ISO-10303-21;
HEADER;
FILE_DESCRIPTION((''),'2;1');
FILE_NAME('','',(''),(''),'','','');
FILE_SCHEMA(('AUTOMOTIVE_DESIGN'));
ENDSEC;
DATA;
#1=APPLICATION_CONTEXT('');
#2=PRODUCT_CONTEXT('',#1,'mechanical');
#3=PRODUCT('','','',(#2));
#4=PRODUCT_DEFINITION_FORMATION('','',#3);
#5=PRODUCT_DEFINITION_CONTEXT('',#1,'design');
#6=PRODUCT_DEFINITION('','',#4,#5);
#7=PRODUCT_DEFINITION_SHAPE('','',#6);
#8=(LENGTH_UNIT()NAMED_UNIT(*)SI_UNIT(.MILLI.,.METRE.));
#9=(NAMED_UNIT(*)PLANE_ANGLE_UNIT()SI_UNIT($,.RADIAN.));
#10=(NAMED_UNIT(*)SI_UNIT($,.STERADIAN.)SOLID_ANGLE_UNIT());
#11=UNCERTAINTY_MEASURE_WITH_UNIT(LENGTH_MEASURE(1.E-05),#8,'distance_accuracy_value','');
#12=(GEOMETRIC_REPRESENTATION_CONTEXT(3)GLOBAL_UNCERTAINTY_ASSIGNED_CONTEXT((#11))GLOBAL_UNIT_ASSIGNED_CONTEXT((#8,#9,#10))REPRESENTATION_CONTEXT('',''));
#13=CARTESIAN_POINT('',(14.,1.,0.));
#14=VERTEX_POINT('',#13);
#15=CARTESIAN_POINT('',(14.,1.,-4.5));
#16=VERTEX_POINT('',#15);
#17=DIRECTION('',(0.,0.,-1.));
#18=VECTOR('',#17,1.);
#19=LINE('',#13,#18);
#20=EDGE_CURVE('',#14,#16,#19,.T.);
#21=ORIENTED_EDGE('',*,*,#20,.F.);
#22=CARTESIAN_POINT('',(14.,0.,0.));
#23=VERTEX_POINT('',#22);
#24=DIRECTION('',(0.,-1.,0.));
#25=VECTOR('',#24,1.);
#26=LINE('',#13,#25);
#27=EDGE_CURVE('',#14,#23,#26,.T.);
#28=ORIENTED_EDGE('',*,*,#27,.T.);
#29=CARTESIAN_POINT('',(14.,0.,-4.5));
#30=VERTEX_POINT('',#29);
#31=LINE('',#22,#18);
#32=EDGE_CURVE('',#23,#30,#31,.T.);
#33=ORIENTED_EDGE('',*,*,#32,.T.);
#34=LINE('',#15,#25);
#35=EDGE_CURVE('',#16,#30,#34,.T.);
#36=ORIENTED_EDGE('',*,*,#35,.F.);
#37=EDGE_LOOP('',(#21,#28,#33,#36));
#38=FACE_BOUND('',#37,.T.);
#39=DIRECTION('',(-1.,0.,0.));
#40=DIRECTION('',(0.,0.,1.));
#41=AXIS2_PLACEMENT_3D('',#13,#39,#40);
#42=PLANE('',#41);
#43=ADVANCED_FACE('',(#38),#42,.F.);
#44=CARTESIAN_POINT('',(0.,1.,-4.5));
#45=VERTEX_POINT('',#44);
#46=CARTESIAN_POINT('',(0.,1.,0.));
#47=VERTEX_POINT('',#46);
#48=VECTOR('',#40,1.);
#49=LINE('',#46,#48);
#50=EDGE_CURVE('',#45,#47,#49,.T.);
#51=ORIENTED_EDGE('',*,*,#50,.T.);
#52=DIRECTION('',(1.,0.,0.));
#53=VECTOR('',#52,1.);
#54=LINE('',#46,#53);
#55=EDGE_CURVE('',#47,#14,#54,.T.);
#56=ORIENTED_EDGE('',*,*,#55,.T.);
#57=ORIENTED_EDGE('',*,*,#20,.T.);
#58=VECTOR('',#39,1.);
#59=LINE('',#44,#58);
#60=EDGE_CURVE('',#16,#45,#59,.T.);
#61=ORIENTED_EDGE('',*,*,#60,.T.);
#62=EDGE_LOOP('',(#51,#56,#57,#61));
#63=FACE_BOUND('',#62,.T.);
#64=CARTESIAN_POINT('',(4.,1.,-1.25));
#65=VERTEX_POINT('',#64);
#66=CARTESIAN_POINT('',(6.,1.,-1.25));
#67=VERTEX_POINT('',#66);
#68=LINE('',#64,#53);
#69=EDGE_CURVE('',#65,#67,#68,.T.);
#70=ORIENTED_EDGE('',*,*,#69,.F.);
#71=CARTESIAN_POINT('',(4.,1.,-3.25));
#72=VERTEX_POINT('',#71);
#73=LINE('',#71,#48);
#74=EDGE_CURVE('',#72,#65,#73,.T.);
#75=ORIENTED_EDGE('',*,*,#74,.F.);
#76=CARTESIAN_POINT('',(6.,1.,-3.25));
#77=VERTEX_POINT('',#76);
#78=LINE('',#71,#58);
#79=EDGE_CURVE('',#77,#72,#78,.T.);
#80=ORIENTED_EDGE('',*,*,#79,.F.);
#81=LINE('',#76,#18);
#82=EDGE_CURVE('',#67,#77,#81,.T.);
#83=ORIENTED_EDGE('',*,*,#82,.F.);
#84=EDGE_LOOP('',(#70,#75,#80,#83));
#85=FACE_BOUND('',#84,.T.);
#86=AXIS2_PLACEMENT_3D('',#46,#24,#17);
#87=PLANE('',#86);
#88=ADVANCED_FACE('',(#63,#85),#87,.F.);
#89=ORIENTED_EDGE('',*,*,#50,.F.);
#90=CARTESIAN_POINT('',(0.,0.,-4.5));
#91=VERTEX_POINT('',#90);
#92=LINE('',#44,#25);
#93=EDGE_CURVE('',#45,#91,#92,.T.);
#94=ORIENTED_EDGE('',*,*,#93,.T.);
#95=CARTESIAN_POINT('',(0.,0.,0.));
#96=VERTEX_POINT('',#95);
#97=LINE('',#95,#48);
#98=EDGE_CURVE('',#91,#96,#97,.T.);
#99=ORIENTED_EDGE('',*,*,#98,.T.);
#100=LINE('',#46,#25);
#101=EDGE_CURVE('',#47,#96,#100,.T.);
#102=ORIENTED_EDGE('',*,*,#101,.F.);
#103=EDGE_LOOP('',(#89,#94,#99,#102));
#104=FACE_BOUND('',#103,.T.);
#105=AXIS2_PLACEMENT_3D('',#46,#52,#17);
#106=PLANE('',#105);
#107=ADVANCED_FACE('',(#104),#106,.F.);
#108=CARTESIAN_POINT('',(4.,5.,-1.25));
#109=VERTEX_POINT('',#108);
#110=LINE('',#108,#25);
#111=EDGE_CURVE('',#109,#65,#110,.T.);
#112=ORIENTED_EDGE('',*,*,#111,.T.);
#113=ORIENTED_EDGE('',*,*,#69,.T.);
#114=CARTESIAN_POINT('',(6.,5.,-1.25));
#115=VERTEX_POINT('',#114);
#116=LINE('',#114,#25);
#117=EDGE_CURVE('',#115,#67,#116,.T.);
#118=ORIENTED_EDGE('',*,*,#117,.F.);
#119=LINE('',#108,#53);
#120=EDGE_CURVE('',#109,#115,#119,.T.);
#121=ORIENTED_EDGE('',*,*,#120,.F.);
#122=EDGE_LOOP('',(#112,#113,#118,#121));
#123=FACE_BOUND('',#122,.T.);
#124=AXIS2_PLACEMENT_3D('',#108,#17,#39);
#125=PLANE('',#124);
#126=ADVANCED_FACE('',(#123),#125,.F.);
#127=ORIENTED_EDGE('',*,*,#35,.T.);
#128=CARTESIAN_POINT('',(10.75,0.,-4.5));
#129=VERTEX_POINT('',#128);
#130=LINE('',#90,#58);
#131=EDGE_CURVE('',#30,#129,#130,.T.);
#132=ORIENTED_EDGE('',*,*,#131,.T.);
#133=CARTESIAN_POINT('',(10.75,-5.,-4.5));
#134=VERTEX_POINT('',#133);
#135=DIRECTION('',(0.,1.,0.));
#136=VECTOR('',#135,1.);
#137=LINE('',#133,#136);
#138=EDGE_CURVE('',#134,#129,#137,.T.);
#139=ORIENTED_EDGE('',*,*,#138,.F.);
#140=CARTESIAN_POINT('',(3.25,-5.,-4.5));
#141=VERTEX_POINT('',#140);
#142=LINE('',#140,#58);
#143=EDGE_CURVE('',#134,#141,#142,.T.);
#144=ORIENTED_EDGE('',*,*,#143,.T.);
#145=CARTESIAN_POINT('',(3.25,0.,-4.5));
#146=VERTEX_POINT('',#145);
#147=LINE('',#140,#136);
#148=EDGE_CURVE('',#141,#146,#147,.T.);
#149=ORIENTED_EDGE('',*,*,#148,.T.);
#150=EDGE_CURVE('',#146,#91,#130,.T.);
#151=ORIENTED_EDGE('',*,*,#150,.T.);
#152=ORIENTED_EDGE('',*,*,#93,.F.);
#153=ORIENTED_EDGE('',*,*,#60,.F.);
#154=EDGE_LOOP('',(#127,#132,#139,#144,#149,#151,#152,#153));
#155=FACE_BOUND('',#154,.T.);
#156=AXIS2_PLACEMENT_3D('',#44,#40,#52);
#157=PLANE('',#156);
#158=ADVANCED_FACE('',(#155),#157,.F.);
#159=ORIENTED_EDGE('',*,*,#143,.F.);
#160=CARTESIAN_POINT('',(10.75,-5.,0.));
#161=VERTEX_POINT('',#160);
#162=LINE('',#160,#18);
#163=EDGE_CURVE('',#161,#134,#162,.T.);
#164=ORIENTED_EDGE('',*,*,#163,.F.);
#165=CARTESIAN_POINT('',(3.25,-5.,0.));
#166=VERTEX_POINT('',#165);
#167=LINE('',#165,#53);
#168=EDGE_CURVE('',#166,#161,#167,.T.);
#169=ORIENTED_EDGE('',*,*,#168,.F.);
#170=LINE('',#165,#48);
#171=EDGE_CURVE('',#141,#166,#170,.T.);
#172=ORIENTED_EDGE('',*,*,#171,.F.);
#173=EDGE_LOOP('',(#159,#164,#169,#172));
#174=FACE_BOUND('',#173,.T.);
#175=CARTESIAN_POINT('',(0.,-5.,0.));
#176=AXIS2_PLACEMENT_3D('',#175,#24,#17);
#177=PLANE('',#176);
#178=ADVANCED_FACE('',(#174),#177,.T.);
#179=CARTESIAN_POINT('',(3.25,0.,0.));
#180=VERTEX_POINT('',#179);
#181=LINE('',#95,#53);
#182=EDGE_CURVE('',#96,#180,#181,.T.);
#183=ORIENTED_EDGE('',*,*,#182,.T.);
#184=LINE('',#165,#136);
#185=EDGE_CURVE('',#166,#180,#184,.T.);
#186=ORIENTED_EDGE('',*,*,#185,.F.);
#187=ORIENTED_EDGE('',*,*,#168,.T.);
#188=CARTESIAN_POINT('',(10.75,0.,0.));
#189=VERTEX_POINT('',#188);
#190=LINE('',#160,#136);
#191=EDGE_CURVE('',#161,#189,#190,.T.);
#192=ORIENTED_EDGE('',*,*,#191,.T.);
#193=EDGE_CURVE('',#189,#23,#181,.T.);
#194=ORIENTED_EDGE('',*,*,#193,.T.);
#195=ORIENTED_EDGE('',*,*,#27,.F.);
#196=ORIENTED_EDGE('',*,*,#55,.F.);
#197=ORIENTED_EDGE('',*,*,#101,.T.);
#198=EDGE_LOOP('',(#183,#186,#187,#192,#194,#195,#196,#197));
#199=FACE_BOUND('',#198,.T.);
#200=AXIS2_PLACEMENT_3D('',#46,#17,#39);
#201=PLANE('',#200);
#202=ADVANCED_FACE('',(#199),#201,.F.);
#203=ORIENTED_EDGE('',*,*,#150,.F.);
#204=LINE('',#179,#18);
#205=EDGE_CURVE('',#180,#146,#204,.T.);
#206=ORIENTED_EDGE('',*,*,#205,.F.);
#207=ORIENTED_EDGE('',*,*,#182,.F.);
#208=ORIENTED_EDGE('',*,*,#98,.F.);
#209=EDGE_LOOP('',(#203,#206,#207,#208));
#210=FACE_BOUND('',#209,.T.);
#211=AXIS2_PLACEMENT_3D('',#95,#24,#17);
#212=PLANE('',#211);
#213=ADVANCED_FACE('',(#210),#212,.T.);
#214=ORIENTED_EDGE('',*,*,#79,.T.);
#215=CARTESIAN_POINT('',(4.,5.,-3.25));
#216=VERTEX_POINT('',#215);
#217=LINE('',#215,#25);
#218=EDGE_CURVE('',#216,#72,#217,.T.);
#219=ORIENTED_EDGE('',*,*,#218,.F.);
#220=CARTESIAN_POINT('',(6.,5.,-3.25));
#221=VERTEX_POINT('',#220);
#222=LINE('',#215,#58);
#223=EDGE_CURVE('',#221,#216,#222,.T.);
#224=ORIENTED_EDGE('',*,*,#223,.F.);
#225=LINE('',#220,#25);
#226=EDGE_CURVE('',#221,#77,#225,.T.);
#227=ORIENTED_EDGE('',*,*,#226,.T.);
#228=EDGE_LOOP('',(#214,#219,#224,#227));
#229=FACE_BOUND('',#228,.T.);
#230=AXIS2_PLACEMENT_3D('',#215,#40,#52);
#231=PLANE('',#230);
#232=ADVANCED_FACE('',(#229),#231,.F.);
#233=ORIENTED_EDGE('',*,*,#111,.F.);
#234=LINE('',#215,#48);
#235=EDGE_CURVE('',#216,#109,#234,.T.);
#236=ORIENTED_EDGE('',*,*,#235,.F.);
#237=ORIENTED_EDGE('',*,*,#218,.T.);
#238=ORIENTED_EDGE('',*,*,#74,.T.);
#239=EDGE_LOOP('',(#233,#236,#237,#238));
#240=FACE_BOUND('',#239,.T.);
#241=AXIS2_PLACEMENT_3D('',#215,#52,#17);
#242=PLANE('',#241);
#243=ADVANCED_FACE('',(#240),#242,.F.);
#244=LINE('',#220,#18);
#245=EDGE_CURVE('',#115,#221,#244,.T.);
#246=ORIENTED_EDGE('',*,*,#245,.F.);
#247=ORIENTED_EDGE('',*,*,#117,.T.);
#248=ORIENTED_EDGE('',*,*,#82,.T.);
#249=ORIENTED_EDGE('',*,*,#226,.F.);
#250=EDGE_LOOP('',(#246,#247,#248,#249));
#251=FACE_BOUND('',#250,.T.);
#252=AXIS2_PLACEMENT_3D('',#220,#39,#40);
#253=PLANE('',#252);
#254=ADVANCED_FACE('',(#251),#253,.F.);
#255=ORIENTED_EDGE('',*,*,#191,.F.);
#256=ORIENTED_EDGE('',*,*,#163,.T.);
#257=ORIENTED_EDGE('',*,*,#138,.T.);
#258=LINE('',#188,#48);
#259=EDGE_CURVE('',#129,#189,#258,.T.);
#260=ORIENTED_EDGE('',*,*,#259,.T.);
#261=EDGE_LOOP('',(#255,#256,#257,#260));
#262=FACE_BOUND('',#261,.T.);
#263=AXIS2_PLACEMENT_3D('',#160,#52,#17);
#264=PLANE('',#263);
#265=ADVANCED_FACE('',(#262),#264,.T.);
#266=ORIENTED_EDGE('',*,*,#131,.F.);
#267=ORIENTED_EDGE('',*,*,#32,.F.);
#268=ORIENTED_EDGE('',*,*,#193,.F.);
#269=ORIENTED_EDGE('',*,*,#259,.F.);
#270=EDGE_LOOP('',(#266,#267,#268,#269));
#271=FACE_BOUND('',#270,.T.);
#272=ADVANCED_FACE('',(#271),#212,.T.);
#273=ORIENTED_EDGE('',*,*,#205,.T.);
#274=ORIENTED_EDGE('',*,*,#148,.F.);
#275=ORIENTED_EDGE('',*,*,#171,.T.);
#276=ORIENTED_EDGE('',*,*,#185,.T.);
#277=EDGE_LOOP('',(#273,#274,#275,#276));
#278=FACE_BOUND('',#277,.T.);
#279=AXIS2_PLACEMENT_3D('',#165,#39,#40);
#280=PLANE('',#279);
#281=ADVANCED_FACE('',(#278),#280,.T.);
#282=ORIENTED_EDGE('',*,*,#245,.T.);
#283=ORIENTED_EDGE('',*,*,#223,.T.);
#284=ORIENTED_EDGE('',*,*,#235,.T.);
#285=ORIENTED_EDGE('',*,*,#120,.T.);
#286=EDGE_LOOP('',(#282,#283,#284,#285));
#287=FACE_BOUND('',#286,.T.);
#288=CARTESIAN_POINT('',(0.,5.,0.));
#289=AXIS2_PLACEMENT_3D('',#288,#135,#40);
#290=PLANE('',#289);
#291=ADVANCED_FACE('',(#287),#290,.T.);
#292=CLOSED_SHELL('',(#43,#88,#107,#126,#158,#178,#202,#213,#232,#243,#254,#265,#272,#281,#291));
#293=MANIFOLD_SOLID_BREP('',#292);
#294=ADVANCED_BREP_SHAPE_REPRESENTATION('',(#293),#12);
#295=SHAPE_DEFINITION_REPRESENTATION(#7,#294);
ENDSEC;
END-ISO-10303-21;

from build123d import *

# Parameters (mm, degrees)
CROQUIS1_W              = 14
CROQUIS1_H              = 4.5
SALIENTE_EXTRUIR1_DEPTH = 1
CROQUIS2_W              = 7.5
CROQUIS2_H              = 4.5
SALIENTE_EXTRUIR2_DEPTH = 6
CROQUIS3_W              = 2
CROQUIS3_H              = 2
SALIENTE_EXTRUIR3_DEPTH = 4


with BuildPart() as part:
    # Croquis1 → Saliente-Extruir1 (new body)
    with BuildSketch(Plane(origin=(0, 0, 0), x_dir=(1, 0, 0), z_dir=(0, 1, 0))):
        with Locations((7, 2.25)):
            Rectangle(CROQUIS1_W, CROQUIS1_H)
    extrude(amount=SALIENTE_EXTRUIR1_DEPTH)

    # Croquis2 → Saliente-Extruir2 (add)
    with BuildSketch(Plane(origin=(0, 1, 0), x_dir=(1, 0, 0), z_dir=(0, 1, 0))):
        with Locations((7, 2.25)):
            Rectangle(CROQUIS2_W, CROQUIS2_H)
    extrude(amount=-SALIENTE_EXTRUIR2_DEPTH)

    # Croquis3 → Saliente-Extruir3 (add)
    with BuildSketch(Plane(origin=(0, 1, 0), x_dir=(1, 0, 0), z_dir=(0, 1, 0))):
        with Locations((5, 2.25)):
            Rectangle(CROQUIS3_W, CROQUIS3_H)
    extrude(amount=SALIENTE_EXTRUIR3_DEPTH)


solid = part.part
